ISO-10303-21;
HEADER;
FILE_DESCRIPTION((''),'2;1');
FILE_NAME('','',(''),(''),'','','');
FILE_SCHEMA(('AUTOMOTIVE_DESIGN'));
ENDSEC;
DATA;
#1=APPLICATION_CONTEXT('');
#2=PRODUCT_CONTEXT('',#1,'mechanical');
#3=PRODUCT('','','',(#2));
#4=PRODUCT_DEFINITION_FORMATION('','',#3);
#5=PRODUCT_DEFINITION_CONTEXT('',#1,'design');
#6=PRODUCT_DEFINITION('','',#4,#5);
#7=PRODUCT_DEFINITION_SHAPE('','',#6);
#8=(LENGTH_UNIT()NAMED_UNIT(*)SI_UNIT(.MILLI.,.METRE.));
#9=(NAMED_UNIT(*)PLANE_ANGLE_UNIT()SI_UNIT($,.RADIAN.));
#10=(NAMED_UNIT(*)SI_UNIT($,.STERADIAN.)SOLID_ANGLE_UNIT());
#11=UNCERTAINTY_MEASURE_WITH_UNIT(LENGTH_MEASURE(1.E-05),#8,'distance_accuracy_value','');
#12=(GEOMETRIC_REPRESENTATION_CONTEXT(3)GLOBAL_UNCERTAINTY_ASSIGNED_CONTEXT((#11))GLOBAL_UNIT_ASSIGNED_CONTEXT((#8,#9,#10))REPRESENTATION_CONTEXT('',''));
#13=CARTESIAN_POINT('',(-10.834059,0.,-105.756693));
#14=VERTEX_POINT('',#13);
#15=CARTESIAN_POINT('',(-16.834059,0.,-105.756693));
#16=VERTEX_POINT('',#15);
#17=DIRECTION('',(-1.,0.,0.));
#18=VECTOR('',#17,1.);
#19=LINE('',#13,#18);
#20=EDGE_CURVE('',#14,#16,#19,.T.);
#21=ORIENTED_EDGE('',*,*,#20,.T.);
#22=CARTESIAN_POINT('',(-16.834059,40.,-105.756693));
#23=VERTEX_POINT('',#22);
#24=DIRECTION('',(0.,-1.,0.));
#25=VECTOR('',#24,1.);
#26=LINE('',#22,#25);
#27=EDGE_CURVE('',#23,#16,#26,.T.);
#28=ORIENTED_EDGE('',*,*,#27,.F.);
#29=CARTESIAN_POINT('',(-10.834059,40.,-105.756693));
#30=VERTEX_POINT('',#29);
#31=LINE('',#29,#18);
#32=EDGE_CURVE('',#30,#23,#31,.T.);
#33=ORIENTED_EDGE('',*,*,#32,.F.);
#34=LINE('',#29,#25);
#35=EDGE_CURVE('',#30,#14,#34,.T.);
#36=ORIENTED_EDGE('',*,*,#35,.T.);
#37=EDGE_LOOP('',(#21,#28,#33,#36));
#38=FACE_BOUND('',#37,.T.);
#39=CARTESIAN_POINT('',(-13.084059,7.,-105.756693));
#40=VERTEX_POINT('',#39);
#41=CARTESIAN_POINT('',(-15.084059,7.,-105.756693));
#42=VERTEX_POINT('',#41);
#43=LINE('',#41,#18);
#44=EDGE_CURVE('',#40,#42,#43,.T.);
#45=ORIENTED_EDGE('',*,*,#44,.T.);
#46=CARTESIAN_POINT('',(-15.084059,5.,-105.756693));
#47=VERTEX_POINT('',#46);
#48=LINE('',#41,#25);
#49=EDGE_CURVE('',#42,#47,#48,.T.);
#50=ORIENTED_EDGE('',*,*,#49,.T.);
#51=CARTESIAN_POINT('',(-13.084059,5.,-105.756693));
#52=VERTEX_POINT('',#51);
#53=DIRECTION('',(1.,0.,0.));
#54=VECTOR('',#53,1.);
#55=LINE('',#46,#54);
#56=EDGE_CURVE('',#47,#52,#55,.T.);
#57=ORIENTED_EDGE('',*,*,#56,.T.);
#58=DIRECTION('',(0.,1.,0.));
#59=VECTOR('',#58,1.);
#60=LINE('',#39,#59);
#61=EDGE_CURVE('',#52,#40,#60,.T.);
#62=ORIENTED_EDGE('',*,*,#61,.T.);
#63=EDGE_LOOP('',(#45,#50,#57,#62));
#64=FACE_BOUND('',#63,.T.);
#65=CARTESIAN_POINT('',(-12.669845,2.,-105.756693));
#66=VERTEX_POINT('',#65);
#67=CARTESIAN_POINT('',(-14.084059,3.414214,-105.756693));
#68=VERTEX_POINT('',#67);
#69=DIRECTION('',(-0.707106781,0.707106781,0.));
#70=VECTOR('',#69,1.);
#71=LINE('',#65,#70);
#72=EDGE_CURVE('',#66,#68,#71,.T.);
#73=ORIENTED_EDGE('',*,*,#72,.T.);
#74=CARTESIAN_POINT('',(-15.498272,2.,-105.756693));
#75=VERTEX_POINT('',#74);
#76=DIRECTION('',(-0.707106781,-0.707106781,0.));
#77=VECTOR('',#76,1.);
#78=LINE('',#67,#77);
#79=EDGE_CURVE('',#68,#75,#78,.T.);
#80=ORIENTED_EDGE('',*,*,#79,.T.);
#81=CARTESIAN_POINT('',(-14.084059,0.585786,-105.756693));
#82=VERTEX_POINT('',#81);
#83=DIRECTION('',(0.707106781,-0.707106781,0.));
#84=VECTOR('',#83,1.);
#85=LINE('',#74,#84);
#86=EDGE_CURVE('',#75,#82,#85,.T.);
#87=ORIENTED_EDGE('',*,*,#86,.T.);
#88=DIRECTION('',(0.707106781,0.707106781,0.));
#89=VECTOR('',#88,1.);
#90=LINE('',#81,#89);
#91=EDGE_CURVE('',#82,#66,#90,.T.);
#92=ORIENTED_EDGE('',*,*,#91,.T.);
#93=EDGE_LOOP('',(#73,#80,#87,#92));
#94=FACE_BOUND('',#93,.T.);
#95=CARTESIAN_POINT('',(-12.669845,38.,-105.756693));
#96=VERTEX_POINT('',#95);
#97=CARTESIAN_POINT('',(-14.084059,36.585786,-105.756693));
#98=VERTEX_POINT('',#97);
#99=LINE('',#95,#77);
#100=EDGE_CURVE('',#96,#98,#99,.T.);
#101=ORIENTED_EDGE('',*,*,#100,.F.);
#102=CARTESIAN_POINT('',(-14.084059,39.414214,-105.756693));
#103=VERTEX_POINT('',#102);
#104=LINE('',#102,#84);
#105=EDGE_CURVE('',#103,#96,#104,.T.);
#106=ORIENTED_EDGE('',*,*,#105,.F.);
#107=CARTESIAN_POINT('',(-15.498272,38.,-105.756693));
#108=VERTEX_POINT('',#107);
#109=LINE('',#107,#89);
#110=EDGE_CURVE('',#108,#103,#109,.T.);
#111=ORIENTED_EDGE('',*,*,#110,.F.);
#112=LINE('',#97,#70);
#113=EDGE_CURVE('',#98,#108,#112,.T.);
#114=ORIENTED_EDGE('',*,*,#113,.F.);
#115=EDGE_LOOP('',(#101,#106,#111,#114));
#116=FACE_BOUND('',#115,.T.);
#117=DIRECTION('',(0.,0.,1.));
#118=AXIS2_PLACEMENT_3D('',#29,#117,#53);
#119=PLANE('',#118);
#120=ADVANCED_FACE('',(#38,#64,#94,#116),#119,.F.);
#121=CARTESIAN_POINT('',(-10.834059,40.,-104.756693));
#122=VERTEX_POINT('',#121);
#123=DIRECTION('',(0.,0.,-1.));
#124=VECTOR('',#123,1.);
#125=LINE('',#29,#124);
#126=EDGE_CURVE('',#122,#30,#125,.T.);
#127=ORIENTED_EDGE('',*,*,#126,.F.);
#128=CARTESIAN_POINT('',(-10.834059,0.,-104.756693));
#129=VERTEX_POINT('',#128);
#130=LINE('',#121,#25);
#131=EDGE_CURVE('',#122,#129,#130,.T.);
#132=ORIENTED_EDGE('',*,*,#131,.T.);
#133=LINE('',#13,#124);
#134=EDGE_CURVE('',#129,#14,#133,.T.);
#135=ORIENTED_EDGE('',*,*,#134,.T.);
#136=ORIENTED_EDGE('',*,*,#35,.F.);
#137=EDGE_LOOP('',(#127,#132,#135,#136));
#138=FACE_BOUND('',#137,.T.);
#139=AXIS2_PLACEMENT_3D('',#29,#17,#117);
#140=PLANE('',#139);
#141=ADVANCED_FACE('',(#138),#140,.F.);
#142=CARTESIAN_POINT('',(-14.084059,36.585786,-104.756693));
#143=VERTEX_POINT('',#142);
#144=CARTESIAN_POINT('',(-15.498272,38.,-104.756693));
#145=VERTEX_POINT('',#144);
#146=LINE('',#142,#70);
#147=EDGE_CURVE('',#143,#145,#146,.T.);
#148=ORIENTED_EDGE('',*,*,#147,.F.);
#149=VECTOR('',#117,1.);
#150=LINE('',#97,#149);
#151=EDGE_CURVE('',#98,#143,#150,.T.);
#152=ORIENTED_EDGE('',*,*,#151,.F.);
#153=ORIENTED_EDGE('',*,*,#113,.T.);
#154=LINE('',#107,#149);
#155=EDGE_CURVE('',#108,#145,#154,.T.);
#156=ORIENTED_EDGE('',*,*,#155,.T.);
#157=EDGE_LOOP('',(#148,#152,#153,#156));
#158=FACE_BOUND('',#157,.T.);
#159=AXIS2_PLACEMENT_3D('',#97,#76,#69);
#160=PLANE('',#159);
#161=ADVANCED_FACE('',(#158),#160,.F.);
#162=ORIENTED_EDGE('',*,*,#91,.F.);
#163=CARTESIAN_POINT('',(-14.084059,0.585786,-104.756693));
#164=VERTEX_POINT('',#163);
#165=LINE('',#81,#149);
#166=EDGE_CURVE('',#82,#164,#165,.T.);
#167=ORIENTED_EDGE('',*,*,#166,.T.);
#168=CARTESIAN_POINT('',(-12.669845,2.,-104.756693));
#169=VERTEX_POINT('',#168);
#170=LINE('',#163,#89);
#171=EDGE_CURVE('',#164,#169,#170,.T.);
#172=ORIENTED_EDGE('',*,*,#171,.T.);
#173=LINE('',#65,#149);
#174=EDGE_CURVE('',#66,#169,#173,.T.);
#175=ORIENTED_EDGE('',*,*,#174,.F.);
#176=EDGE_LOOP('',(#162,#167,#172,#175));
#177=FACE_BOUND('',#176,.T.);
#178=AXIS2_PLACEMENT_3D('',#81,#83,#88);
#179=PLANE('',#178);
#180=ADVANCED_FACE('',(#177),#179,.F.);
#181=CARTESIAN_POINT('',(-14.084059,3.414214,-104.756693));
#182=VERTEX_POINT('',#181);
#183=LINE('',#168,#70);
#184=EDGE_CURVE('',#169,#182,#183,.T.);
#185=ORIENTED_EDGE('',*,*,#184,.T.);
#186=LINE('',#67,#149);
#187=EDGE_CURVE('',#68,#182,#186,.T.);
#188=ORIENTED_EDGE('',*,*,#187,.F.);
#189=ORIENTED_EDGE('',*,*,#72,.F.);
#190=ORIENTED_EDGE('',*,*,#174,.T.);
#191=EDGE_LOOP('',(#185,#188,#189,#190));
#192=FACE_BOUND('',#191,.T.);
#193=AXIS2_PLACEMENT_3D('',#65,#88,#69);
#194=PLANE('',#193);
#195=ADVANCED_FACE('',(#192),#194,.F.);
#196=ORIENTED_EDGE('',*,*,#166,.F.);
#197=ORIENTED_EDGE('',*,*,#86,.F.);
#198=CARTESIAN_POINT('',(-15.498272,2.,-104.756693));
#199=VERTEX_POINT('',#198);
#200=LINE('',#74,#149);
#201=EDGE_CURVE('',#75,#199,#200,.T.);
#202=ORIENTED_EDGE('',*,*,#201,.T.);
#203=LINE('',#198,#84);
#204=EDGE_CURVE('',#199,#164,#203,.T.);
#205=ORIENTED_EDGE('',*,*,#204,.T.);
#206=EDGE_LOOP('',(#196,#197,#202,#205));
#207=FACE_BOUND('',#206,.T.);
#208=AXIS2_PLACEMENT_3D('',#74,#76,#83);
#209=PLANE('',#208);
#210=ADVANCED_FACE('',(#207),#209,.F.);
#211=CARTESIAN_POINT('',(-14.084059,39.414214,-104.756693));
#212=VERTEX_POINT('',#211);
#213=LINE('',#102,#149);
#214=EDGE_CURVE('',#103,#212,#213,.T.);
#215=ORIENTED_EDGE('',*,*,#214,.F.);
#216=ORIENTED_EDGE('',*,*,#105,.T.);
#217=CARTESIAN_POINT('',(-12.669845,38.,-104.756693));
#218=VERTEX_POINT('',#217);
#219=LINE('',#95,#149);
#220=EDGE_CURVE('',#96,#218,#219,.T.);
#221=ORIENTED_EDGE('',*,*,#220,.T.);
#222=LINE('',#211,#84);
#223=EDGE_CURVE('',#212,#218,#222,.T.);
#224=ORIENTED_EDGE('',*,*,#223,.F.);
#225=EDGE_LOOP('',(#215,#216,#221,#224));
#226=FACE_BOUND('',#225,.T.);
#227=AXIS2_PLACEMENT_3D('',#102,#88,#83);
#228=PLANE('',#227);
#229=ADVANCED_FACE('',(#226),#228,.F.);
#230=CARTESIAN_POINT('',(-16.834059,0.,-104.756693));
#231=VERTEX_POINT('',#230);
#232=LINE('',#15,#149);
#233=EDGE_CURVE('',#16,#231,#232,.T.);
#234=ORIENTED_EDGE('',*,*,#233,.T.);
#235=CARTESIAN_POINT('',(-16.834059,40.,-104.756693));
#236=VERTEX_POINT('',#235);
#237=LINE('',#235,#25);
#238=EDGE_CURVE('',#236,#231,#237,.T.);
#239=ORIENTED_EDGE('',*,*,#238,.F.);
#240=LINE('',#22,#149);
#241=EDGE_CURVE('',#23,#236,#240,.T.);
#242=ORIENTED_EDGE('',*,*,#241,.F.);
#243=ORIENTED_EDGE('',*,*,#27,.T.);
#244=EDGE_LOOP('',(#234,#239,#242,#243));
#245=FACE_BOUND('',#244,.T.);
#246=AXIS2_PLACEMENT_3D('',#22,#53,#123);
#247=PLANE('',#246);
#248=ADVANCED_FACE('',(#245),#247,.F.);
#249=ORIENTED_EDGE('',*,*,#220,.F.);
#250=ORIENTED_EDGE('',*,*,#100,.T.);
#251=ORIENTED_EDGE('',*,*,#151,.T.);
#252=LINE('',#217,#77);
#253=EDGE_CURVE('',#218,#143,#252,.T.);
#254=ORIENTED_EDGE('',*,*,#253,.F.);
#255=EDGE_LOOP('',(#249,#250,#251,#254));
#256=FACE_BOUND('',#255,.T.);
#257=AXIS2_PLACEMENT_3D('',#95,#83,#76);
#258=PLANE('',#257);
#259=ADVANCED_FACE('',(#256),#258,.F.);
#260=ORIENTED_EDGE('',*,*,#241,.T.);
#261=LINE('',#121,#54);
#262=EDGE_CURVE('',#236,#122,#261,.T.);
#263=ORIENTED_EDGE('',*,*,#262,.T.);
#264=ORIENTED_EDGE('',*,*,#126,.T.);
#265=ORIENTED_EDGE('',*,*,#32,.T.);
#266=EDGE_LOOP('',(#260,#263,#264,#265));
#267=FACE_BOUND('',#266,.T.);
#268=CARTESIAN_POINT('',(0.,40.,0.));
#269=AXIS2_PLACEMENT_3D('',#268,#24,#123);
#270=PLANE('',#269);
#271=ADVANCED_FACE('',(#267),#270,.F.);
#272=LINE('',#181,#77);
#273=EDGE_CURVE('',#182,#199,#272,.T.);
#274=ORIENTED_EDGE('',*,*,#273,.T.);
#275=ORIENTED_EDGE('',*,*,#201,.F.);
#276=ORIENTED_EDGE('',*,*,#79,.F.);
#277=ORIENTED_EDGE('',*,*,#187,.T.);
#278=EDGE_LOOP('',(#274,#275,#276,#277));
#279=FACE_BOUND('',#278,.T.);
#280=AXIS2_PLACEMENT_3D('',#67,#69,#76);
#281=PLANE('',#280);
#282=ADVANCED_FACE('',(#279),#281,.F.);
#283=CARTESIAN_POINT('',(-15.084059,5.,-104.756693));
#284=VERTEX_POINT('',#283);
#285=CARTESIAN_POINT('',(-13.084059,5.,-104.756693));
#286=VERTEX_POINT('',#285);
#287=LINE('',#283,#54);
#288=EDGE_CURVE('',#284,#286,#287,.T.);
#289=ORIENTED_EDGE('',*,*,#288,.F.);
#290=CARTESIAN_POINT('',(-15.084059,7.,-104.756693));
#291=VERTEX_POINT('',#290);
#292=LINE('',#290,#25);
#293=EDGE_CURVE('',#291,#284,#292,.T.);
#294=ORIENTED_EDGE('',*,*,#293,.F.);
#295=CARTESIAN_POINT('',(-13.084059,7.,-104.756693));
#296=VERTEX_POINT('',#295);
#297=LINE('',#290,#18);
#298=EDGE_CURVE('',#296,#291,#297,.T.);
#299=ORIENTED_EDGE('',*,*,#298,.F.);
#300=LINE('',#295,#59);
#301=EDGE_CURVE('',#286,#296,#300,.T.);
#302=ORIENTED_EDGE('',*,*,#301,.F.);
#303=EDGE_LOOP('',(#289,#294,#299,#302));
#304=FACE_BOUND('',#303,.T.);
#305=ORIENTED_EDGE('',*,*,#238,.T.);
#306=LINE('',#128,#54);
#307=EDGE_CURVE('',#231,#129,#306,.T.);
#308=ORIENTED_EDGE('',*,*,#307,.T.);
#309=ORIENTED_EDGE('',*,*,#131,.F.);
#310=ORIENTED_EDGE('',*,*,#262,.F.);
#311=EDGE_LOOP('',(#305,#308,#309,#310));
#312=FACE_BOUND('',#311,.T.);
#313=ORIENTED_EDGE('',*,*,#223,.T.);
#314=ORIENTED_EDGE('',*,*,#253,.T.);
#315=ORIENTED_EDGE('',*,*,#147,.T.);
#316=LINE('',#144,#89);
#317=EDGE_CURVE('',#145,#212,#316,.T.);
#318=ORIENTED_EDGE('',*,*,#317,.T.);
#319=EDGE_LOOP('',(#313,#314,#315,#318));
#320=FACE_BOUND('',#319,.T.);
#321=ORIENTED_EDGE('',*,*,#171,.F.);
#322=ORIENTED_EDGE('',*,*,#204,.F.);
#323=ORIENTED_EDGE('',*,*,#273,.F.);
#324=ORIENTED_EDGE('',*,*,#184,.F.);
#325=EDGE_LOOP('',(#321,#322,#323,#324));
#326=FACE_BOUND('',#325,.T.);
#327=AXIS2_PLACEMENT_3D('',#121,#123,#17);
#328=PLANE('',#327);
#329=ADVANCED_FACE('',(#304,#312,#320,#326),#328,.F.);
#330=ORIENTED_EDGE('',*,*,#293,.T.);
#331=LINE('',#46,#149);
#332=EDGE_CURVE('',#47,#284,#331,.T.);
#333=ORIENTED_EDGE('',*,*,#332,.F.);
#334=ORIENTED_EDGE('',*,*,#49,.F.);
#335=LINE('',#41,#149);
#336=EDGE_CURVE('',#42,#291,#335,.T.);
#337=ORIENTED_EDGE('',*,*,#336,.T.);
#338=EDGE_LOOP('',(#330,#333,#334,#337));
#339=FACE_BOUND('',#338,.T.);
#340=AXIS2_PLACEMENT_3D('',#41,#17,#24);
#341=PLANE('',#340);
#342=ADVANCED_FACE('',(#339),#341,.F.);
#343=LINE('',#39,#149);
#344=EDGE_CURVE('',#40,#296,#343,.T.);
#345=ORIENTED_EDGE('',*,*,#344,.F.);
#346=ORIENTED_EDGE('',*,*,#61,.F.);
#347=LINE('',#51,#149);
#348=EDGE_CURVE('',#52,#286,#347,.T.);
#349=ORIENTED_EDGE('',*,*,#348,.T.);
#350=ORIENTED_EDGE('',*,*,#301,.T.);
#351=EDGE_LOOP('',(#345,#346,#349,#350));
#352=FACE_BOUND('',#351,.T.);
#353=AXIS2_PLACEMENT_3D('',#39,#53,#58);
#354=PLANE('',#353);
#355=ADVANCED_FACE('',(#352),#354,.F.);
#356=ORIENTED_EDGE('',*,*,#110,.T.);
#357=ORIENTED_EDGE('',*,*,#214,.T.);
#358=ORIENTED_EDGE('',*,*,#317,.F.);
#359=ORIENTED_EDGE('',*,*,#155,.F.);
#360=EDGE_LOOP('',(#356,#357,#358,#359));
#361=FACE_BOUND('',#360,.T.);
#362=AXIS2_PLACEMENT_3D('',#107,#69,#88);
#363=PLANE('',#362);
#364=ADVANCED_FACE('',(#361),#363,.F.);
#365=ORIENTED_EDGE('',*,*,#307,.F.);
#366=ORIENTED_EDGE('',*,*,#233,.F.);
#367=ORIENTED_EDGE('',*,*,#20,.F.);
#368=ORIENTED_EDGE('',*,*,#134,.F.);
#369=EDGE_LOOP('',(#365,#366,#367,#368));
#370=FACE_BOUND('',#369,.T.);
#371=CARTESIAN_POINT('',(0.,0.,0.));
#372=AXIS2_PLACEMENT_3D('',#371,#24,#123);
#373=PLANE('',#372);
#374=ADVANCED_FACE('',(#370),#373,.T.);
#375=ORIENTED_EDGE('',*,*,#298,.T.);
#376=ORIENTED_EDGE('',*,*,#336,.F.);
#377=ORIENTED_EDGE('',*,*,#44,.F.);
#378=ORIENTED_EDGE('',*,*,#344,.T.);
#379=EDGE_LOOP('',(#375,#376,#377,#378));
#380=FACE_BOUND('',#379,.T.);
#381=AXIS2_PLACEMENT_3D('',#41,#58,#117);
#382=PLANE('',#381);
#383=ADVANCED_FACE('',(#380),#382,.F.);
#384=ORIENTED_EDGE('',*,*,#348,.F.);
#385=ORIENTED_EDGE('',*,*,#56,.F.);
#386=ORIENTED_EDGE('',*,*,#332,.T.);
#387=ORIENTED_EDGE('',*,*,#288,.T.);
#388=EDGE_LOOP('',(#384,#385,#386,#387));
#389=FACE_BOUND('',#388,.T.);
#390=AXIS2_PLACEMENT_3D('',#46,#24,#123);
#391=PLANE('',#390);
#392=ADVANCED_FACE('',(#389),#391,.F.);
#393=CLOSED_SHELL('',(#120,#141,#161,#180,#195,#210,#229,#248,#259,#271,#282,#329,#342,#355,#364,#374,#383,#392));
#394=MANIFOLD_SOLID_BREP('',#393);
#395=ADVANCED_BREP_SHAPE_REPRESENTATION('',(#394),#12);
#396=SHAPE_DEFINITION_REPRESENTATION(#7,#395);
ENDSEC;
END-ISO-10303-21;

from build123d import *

# Parameters (mm, degrees)
PROFILE_SKETCH_W               = 6
PROFILE_SKETCH_H               = 1
PROFILE_EXTRUDE_DEPTH          = 40
FIDUCIAL_CUT_DEPTH             = 44.409509652
FIDUCIAL_1_INDICATOR_SKETCH_W  = 2
FIDUCIAL_1_INDICATOR_SKETCH_H  = 2
FIDUCIAL_1_INDICATOR_CUT_DEPTH = 44.409509652


with BuildPart() as part:
    # Profile Sketch → Profile Extrude (new body)
    with BuildSketch(Plane(origin=(-13.83405858, 0, -105.75669297), x_dir=(-1, 0, 0), z_dir=(0, 1, 0))):
        with Locations((0, 0.5)):
            Rectangle(PROFILE_SKETCH_W, PROFILE_SKETCH_H)
    extrude(amount=PROFILE_EXTRUDE_DEPTH)

    # Fiducial Sketch → Fiducial Cut (cut, through all)
    with BuildSketch(Plane.XY.offset(-104.75669297)):
        Polygon((-12.669845017, 2), (-14.08405858, 3.414213562), (-15.498272142, 2), (-14.08405858, 0.585786438), align=None)
    fiducial_cut = extrude(amount=-FIDUCIAL_CUT_DEPTH, mode=Mode.SUBTRACT)

    # Fiducial Mirror: Fiducial Cut across plane
    add(fiducial_cut.mirror(Plane(origin=(0, 20, 0), x_dir=(0, 0, 1), z_dir=(0, -1, 0))), mode=Mode.SUBTRACT)

    # Fiducial 1 Indicator Sketch → Fiducial 1 Indicator Cut (cut, through all)
    with BuildSketch(Plane.XY.offset(-104.75669297)):
        with Locations((-14.08405858, 6)):
            Rectangle(FIDUCIAL_1_INDICATOR_SKETCH_W, FIDUCIAL_1_INDICATOR_SKETCH_H)
    extrude(amount=-FIDUCIAL_1_INDICATOR_CUT_DEPTH, mode=Mode.SUBTRACT)


solid = part.part
